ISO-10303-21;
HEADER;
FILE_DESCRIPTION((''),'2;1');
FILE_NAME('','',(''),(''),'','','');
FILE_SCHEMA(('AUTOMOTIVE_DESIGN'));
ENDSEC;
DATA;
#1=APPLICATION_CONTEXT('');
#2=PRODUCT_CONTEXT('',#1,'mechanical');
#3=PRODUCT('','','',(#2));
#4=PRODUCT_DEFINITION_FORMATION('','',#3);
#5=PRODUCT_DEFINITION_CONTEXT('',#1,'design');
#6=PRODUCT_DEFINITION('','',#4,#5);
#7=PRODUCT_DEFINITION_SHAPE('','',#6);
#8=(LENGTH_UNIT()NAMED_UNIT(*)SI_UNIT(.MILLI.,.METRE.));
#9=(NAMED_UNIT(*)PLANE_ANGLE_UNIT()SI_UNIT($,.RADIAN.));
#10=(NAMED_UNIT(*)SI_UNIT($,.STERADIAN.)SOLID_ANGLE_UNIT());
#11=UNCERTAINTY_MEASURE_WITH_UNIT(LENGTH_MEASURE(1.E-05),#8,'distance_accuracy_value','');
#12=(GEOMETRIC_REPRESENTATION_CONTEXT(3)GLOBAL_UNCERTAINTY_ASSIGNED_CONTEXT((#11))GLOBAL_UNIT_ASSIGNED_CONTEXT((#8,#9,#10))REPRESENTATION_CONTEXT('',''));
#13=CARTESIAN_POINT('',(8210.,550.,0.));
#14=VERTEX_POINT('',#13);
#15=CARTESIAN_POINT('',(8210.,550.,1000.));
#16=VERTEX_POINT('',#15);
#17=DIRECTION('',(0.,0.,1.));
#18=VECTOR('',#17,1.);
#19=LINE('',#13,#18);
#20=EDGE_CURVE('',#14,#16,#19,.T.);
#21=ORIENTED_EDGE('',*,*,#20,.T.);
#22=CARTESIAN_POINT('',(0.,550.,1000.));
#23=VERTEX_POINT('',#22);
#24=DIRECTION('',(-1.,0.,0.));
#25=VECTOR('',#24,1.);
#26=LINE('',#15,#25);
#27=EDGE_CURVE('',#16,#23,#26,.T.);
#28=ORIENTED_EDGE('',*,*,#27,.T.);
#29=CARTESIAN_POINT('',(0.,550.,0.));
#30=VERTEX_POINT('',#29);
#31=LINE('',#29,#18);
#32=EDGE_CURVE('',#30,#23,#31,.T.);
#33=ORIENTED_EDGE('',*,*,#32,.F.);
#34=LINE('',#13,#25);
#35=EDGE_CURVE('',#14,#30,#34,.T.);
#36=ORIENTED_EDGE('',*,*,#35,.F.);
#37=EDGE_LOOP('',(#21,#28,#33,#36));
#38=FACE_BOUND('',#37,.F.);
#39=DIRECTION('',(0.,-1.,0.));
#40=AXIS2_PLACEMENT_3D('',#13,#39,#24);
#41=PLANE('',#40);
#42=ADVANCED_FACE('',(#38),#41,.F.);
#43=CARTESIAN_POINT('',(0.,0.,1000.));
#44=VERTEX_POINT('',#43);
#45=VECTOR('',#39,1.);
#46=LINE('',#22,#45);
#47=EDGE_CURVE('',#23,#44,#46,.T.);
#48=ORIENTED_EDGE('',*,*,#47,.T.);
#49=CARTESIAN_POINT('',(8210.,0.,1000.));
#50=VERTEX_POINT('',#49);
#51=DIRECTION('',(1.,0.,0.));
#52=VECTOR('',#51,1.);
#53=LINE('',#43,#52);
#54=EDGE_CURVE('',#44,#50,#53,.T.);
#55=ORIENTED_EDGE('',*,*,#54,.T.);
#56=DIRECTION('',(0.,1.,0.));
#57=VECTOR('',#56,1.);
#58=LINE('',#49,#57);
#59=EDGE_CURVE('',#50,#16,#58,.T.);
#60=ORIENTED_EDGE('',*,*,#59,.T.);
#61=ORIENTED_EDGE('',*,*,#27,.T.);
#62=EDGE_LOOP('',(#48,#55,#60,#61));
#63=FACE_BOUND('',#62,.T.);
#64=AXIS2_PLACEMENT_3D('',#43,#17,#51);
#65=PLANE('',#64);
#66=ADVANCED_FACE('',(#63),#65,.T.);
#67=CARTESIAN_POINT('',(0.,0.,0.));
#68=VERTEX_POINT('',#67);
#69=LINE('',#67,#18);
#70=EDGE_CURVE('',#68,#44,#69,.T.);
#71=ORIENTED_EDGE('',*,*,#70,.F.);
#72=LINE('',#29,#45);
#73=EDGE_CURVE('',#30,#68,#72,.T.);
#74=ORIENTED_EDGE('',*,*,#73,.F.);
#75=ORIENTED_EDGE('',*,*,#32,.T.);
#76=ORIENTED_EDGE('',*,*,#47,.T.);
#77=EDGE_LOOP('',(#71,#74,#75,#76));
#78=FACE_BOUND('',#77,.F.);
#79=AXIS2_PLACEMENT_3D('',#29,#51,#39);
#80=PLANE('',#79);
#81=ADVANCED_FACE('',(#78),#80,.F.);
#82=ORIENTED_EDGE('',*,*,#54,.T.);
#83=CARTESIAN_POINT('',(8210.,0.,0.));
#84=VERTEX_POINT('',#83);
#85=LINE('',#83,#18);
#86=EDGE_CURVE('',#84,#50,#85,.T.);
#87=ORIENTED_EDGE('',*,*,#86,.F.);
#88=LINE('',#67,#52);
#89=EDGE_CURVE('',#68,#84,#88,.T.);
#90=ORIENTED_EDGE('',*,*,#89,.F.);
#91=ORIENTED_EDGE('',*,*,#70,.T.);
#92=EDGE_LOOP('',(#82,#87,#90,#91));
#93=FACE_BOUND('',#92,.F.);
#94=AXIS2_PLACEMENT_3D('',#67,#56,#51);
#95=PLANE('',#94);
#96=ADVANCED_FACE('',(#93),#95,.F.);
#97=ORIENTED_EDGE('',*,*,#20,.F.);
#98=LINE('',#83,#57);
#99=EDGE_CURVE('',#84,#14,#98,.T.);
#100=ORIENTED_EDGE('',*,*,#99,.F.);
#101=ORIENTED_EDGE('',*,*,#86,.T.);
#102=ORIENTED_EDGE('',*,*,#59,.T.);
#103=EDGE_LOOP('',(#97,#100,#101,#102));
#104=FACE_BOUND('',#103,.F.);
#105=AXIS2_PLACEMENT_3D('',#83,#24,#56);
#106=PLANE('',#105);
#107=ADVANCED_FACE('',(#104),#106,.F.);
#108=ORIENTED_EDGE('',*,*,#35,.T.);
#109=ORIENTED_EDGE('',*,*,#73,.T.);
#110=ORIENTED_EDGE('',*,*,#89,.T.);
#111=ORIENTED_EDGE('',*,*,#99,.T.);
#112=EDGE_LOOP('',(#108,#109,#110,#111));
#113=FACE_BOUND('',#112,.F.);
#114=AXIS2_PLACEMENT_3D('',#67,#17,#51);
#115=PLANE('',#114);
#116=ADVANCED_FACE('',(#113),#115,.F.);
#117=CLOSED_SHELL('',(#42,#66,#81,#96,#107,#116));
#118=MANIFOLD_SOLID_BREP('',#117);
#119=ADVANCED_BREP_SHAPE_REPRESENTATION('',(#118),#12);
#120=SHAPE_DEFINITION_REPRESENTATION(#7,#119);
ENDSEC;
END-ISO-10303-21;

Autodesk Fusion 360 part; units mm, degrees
sketch "スケッチ1" plane through (0, 0, 0) normal (0, 0, 1) x (1, 0, 0)
  line L0 (0, 0) -> (8210, 0)
  line L1 (8210, 0) -> (8210, 550)
  line L2 (8210, 550) -> (0, 550)
  line L3 (0, 550) -> (0, 0)
  dimension "d1" = 8210
  dimension "d2" = 550
extrude "押し出し1" add sketch "スケッチ1" along normal blind 1000
